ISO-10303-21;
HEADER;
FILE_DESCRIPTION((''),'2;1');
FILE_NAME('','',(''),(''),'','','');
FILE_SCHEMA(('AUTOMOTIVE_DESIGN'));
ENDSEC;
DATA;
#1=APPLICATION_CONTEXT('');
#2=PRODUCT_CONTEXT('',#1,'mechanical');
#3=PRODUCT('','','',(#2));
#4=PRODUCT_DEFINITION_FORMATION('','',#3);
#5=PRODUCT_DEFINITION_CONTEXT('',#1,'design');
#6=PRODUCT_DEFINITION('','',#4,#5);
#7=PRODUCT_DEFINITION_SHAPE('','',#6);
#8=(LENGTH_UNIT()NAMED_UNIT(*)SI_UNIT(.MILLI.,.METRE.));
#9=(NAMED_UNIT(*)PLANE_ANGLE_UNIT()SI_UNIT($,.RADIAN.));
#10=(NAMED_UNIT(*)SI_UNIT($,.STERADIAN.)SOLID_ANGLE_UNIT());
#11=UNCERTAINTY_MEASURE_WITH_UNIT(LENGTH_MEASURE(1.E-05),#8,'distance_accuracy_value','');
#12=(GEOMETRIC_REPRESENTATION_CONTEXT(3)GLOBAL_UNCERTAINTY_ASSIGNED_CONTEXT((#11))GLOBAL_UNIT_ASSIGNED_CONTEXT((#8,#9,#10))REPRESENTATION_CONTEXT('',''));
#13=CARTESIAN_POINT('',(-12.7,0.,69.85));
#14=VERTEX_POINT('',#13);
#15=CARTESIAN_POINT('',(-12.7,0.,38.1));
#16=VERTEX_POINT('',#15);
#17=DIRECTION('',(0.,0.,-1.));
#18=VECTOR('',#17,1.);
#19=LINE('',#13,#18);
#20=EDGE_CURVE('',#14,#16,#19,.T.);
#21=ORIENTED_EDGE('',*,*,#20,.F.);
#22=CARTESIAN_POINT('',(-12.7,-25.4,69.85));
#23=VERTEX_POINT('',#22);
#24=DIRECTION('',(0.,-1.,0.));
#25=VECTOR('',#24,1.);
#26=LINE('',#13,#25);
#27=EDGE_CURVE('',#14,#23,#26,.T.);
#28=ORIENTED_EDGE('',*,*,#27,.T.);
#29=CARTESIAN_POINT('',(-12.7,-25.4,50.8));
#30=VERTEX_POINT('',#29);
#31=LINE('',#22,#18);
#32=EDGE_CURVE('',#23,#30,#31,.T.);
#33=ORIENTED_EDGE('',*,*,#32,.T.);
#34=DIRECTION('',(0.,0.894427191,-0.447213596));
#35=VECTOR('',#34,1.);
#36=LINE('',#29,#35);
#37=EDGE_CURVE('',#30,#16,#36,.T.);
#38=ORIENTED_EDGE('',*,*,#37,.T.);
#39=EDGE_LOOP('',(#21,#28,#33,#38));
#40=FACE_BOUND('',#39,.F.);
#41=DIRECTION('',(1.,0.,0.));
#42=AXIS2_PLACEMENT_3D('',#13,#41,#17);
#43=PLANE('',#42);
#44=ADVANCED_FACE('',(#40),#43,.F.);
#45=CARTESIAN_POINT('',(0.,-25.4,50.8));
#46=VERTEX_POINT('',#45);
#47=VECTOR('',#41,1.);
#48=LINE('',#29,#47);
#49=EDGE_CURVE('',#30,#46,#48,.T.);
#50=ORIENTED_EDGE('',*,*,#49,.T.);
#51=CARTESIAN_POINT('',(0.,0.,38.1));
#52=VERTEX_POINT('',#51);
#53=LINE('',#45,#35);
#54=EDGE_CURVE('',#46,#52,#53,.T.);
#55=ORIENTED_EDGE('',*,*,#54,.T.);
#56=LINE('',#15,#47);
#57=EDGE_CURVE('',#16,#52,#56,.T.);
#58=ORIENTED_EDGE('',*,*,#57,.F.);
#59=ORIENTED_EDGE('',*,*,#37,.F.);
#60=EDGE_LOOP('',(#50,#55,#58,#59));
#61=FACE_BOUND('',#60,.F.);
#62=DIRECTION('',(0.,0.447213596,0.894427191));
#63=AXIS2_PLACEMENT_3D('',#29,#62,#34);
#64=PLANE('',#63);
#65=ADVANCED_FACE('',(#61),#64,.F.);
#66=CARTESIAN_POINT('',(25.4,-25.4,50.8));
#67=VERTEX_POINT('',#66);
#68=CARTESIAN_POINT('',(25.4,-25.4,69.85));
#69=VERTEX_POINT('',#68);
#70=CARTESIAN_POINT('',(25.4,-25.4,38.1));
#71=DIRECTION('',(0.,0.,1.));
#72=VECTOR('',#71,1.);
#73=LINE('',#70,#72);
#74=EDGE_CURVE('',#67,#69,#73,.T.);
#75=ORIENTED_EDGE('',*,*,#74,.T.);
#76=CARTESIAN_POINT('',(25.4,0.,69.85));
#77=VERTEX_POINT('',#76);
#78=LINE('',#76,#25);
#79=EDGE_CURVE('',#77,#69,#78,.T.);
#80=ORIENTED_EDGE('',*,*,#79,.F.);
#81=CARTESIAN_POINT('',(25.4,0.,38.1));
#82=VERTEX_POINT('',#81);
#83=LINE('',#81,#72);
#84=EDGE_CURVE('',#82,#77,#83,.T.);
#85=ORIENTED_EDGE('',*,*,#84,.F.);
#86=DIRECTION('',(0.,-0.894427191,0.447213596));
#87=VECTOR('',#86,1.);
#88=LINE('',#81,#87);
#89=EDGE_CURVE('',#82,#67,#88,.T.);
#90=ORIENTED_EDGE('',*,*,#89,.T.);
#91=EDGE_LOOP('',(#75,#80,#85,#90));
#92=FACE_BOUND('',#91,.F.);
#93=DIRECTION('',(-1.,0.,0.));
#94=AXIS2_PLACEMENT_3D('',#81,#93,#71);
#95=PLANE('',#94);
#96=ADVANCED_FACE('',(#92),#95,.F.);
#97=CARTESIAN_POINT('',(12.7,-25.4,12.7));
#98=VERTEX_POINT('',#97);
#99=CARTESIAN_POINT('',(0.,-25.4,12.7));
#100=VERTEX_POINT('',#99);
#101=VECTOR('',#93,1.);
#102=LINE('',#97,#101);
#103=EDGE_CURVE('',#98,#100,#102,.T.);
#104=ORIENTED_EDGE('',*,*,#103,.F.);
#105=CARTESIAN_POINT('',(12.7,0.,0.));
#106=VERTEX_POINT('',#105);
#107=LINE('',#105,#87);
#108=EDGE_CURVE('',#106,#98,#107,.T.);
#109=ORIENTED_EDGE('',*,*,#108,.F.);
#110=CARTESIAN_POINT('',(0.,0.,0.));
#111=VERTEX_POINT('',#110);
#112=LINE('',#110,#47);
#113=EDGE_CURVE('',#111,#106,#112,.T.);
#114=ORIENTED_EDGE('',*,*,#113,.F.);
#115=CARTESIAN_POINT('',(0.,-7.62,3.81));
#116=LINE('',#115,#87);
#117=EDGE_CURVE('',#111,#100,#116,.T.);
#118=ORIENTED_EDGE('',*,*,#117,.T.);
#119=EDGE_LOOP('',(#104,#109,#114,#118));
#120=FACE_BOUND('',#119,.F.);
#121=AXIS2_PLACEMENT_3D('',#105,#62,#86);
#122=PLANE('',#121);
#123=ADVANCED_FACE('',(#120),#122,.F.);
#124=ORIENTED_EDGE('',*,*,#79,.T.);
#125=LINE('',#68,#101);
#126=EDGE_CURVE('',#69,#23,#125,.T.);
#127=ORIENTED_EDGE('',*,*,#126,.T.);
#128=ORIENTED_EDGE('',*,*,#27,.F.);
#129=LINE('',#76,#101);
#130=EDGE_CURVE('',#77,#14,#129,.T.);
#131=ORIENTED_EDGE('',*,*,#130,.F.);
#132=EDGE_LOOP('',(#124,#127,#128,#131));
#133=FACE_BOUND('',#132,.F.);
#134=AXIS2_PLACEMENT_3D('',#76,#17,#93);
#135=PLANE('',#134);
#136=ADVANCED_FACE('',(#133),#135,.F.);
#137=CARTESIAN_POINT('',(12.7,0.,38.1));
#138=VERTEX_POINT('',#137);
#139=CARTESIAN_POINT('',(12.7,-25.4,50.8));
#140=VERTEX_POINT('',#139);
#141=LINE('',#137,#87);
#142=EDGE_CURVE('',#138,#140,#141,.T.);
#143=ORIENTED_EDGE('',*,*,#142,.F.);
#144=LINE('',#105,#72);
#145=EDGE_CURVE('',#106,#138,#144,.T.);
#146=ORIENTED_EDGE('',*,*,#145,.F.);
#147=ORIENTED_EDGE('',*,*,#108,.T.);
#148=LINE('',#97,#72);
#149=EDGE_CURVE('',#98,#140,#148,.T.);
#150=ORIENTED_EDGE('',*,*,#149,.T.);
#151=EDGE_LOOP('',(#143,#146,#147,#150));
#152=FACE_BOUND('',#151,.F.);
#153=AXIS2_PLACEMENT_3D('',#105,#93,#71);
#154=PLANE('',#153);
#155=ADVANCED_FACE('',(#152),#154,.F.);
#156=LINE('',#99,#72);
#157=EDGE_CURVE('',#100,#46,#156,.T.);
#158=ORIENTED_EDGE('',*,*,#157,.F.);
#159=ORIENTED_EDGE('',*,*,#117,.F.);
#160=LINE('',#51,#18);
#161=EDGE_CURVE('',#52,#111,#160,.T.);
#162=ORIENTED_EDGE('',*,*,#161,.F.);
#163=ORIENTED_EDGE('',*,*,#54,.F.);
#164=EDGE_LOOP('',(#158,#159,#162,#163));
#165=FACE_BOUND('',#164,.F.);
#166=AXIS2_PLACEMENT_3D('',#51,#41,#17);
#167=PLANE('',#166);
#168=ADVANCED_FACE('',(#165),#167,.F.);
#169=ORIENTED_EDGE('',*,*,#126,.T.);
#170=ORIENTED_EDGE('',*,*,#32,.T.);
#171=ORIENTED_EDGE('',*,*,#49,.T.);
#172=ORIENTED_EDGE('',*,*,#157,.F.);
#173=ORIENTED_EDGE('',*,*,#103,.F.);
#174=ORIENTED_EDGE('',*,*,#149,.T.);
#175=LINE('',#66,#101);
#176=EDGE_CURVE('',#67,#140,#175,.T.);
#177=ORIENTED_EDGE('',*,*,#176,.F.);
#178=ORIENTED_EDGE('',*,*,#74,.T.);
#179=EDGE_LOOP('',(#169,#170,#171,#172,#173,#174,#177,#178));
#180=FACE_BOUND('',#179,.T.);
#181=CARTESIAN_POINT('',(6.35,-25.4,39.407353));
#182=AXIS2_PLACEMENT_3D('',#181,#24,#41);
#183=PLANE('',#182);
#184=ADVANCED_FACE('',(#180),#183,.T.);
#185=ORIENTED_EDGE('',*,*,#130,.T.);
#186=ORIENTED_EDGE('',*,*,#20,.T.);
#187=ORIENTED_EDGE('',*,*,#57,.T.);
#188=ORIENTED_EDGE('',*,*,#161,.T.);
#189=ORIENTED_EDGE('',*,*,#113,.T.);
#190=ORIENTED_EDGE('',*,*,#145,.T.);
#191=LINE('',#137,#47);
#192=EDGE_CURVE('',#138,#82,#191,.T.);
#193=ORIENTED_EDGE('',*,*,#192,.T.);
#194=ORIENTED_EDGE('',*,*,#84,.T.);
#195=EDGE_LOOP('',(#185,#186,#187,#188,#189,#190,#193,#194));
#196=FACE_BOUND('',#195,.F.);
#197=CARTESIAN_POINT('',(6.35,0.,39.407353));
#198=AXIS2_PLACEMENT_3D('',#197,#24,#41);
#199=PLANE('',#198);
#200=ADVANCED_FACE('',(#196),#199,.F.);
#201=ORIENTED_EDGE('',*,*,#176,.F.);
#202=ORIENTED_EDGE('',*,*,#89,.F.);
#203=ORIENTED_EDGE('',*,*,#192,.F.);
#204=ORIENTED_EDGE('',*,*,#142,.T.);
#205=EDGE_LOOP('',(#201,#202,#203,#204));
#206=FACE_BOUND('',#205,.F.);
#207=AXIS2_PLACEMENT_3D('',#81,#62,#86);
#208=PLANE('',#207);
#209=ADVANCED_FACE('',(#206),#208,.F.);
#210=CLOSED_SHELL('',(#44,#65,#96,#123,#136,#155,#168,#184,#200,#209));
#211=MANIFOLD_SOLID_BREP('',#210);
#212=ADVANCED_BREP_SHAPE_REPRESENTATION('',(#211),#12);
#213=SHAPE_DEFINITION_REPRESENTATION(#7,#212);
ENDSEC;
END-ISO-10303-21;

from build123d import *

# Parameters (mm, degrees)
F1_DEPTH = 25.4
F3_DEPTH = 25.4
F5_DEPTH = 12.7
F7_DEPTH = 12.7


with BuildPart() as f1:
    # F0 (on Front) → F1 (new body)
    with BuildSketch(Plane.XZ):
        Polygon((0, 38.1), (0, 0), (12.7, 0), (12.7, 38.1), (25.4, 38.1), (25.4, 69.85), (-12.7, 69.85), (-12.7, 38.1), align=None)
    extrude(amount=F1_DEPTH)

    # F2 (on face) → F3 (cut)
    with BuildSketch(Plane.YZ.offset(12.7)):
        Polygon((0, 0), (-25.4, 12.7), (-25.4, 0), align=None)
    extrude(amount=-F3_DEPTH, mode=Mode.SUBTRACT)

    # F4 (on face) → F5 (cut)
    with BuildSketch(Plane.YZ.offset(25.4)):
        Polygon((0, 38.1), (-25.4, 50.8), (-25.4, 38.1), align=None)
    extrude(amount=-F5_DEPTH, mode=Mode.SUBTRACT)

    # F6 (on face) → F7 (cut)
    with BuildSketch(Plane(origin=(-12.7, 0, 0), x_dir=(0, -1, 0), z_dir=(-1, 0, 0))):
        Polygon((25.4, 38.1), (25.4, 50.8), (0, 38.1), align=None)
    extrude(amount=-F7_DEPTH, mode=Mode.SUBTRACT)


solid = f1.part
